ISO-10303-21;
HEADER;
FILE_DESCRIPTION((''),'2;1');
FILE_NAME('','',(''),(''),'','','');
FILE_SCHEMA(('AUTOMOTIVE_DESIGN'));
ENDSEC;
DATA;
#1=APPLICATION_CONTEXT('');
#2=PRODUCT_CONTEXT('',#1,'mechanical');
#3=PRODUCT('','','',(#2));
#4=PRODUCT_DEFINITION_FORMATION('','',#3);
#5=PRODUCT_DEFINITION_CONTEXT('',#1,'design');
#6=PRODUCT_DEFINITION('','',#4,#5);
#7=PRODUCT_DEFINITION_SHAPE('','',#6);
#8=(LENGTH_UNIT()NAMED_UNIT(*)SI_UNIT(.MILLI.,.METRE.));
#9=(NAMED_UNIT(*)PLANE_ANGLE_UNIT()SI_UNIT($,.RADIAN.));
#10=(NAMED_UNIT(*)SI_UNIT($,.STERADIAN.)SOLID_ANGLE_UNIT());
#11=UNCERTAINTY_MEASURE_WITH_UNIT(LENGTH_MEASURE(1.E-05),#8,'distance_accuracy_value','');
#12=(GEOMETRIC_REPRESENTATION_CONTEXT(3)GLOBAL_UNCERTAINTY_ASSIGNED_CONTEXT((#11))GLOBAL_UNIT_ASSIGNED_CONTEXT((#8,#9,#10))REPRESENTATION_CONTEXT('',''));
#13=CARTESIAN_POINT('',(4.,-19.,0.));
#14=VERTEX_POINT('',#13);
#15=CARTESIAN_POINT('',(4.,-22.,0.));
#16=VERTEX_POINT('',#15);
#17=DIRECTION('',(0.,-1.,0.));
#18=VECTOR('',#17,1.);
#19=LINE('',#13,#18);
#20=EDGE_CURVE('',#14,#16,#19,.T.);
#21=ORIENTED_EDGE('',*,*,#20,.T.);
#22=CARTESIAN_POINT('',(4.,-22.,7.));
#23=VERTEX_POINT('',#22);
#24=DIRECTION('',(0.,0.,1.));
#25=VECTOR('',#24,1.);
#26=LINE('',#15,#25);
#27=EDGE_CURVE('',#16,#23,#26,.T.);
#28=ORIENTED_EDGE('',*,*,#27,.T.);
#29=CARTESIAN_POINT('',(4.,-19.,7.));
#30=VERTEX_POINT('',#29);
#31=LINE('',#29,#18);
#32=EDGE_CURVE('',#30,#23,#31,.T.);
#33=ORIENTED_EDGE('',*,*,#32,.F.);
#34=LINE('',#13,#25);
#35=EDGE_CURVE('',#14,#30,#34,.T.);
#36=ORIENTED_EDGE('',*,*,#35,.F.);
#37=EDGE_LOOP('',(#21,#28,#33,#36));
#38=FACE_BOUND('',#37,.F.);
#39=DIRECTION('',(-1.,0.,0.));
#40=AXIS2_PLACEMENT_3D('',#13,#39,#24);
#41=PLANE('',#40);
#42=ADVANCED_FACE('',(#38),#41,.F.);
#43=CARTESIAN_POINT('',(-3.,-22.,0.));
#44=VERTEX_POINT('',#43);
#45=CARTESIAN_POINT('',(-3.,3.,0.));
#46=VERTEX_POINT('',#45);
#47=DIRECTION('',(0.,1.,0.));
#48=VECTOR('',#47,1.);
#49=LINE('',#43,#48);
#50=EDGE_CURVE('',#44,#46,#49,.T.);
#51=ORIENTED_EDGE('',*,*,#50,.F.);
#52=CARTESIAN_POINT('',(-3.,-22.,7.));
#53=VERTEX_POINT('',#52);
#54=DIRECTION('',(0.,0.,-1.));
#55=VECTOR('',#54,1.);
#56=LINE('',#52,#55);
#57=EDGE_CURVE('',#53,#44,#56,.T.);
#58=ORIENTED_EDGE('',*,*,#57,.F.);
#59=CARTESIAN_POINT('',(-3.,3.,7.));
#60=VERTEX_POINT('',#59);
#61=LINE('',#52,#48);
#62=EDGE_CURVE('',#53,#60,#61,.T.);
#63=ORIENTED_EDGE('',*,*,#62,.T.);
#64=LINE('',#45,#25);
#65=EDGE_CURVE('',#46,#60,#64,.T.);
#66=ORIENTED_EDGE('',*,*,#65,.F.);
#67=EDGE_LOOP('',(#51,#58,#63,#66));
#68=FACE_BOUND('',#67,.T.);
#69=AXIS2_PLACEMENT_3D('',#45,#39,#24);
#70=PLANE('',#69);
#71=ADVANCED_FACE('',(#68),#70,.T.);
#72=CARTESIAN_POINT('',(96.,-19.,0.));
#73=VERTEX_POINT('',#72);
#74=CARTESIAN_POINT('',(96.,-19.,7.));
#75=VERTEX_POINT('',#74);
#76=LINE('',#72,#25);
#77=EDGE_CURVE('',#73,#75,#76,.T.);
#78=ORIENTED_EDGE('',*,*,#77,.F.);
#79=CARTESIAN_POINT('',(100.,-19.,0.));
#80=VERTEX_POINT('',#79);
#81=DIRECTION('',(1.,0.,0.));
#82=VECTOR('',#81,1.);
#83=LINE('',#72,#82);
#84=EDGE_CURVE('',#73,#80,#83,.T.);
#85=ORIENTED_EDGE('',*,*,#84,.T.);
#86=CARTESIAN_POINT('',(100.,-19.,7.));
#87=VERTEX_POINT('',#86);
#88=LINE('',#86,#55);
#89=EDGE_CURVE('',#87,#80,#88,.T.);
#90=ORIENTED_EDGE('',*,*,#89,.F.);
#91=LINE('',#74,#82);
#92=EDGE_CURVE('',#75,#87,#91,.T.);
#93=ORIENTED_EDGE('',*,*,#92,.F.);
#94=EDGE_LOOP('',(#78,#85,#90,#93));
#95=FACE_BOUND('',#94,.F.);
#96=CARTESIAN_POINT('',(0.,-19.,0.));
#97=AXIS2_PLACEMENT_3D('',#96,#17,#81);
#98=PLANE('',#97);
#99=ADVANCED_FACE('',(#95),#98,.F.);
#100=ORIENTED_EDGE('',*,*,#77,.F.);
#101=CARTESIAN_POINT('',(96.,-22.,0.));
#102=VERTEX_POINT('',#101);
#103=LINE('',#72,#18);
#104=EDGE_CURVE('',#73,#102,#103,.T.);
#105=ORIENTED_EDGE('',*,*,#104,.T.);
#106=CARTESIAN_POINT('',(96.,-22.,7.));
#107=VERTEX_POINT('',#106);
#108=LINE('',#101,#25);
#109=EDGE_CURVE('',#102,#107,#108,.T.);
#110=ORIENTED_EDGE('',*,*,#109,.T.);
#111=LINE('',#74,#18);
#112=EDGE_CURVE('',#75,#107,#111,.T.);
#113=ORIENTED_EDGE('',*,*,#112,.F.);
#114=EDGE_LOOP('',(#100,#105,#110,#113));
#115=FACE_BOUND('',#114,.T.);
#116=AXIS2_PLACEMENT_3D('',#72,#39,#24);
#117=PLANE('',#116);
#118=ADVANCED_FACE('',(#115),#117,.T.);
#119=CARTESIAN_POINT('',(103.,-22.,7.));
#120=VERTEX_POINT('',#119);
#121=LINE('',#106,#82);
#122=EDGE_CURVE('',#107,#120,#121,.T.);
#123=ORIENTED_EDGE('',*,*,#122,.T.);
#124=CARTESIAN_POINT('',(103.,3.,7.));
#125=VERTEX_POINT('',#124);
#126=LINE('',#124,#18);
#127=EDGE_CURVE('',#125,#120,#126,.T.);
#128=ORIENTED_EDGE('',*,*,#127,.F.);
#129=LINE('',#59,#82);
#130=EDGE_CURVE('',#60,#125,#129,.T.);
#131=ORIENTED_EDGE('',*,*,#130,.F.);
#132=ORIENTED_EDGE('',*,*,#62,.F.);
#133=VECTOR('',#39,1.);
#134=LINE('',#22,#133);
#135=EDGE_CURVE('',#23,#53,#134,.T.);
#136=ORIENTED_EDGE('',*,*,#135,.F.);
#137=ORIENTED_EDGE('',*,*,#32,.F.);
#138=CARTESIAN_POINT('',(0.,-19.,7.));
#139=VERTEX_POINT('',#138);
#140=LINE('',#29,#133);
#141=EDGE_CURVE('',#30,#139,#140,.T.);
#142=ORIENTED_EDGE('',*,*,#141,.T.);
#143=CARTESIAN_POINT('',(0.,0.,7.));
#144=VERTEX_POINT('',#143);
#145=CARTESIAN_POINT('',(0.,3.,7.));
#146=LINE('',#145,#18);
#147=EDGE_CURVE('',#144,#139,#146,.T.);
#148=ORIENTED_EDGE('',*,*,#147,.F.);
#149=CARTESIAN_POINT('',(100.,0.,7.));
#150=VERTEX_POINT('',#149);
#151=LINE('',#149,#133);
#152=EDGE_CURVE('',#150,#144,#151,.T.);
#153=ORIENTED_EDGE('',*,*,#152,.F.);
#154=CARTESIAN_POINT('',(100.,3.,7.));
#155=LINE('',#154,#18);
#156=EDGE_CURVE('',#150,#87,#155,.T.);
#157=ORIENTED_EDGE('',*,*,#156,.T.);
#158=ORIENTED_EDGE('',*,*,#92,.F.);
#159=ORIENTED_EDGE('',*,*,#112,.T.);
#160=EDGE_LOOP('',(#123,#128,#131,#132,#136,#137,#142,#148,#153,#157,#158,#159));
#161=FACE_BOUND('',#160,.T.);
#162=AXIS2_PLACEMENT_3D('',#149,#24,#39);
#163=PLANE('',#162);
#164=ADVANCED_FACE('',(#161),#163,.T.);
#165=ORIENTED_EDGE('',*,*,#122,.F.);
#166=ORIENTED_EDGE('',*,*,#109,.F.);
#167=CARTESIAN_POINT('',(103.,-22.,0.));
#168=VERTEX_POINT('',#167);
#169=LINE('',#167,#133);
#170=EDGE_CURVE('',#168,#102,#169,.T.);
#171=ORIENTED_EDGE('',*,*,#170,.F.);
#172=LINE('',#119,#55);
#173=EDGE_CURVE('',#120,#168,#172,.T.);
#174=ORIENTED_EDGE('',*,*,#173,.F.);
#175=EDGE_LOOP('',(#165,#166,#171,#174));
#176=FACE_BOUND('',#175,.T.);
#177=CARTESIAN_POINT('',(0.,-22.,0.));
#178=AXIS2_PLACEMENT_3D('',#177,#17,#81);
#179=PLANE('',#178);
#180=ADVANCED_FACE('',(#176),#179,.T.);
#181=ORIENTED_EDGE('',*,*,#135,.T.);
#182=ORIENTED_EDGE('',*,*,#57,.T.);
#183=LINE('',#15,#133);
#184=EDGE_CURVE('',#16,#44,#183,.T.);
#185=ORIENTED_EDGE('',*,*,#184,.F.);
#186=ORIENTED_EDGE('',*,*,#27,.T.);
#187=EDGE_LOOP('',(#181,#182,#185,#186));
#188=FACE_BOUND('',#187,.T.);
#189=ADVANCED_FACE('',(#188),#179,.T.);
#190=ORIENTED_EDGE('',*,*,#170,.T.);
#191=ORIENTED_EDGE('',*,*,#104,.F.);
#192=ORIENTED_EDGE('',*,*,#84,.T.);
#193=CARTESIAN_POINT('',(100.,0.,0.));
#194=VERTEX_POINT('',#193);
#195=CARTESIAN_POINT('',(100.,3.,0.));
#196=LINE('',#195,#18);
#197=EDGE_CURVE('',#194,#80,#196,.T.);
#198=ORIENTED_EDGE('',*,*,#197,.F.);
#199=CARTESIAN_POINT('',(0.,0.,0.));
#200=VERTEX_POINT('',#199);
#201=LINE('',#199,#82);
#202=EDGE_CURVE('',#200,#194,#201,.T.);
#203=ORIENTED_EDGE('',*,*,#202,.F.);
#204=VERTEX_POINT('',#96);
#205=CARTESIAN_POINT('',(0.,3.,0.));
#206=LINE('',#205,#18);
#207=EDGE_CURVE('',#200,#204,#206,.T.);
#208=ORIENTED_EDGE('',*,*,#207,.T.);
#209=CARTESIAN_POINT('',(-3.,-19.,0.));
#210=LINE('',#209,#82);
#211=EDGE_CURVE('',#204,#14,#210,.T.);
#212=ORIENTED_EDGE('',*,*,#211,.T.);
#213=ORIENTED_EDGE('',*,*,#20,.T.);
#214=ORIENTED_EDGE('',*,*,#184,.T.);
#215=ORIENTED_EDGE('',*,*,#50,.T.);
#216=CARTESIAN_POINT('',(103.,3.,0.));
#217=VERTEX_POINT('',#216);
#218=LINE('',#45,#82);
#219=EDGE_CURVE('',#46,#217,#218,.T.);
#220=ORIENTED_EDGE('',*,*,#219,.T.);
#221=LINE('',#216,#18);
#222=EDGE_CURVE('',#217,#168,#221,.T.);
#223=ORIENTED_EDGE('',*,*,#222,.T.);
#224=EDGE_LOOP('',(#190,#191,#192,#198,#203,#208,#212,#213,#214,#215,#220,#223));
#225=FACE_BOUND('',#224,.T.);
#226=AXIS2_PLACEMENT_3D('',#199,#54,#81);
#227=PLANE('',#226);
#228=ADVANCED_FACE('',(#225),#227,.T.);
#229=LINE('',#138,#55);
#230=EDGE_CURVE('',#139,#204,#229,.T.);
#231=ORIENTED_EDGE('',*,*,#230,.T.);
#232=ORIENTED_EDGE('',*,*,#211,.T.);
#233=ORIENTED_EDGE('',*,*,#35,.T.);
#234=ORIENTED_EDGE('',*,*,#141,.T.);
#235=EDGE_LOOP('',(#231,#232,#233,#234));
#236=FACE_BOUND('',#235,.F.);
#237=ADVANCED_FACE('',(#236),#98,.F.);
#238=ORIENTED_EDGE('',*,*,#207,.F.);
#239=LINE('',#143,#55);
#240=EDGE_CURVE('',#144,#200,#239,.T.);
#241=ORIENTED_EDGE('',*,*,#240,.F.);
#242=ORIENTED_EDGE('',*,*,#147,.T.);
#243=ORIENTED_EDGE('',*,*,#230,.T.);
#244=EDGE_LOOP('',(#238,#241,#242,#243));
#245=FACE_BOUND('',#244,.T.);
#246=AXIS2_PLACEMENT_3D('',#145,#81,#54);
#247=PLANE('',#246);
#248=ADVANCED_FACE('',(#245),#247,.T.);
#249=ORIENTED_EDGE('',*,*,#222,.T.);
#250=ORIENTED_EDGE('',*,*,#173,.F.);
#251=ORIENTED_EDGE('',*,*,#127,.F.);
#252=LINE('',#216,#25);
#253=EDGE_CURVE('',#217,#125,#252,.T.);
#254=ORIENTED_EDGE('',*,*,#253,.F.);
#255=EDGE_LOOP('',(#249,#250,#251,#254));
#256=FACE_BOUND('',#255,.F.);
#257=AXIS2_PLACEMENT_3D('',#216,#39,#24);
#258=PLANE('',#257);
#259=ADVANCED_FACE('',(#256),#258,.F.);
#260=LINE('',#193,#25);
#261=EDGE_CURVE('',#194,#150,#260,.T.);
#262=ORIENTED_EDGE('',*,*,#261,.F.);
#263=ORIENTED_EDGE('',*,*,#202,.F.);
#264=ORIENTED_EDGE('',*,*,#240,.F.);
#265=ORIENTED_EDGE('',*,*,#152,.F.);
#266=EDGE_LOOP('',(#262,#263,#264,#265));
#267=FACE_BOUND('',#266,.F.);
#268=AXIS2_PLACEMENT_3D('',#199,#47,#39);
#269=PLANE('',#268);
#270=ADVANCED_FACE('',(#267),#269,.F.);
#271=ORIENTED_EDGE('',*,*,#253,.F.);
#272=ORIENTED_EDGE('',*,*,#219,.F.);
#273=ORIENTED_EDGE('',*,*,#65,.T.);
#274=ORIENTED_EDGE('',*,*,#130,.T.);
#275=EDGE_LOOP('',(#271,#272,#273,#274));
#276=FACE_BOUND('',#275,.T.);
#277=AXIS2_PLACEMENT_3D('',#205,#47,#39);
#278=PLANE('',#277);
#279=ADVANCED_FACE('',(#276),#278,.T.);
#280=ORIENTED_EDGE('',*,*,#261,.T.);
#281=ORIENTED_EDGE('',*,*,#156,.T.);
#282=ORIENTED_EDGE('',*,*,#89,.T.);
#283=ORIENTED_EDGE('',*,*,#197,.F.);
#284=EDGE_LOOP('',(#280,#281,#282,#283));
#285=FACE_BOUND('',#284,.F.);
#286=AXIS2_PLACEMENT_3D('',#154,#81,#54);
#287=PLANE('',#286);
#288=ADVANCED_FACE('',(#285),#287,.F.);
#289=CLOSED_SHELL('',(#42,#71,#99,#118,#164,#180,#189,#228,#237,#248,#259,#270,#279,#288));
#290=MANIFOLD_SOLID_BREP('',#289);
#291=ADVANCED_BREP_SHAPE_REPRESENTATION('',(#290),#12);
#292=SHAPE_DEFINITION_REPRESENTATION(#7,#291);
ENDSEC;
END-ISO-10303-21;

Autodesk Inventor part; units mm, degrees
ref_plane "YZ Plane" through (0, 0, 0) normal (1, 0, 0) x (0, 1, 0)
ref_plane "XZ Plane" through (0, 0, 0) normal (0, 1, 0) x (-1, 0, 0)
ref_plane "XY Plane" through (0, 0, 0) normal (0, 0, 1) x (1, 0, 0)
sketch "Szkic1" plane through (0, 0, 0) normal (0, 1, 0) x (-1, 0, 0)
  point P0 (0, 0)
sketch "Szkic2" plane through (0, 0, 0) normal (0, 1, 0) x (-1, 0, 0)
  line L0 (0, 0) -> (-100, 0)
  line L1 (-100, 0) -> (-100, 7)
  line L2 (-100, 7) -> (0, 7)
  line L3 (0, 7) -> (0, 0)
  dimension "d0" = 100
  dimension "d1" = 7
extrude "Wyciągnięcie proste1" add sketch "Szkic2" along normal blind 3
sketch "Szkic3" plane through (0, 3, 0) normal (0, 1, 0) x (1, 0, 0)
  line L0 (0, 0) -> (-3, 0)
  line L1 (-3, 0) -> (-3, -7)
  line L2 (-3, -7) -> (0, -7)
  line L3 (0, -7) -> (0, 0)
  line L4 (100, -7) -> (100, 0) projected
  line L5 (100, 0) -> (103, 0)
  line L6 (103, 0) -> (103, -7)
  line L7 (103, -7) -> (100, -7)
  line L8 (100, -7) -> (100, 0)
  dimension "d4" = 3
  dimension "d5" = 7
  dimension "d6" = 3
extrude "Wyciągnięcie proste2" add sketch "Szkic3" against normal blind 22
sketch "Szkic4" plane through (0, -19, 0) normal (0, -1, 0) x (1, 0, 0)
  line L0 (-3, 0) -> (0, 0) projected
  line L1 (-3, 0) -> (4, 0)
  line L2 (4, 0) -> (4, 7)
  line L3 (4, 7) -> (-3, 7)
  line L4 (-3, 7) -> (-3, 0)
  line L5 (100, 0) -> (103, 0) projected
  line L6 (103, 0) -> (96, 0)
  line L7 (96, 0) -> (96, 7)
  line L8 (96, 7) -> (103, 7)
  line L9 (103, 7) -> (103, 0)
  dimension "d9" = 7
  dimension "d10" = 7
extrude "Wyciągnięcie proste3" add sketch "Szkic4" along normal blind 3
properties part number "uchwyt"
